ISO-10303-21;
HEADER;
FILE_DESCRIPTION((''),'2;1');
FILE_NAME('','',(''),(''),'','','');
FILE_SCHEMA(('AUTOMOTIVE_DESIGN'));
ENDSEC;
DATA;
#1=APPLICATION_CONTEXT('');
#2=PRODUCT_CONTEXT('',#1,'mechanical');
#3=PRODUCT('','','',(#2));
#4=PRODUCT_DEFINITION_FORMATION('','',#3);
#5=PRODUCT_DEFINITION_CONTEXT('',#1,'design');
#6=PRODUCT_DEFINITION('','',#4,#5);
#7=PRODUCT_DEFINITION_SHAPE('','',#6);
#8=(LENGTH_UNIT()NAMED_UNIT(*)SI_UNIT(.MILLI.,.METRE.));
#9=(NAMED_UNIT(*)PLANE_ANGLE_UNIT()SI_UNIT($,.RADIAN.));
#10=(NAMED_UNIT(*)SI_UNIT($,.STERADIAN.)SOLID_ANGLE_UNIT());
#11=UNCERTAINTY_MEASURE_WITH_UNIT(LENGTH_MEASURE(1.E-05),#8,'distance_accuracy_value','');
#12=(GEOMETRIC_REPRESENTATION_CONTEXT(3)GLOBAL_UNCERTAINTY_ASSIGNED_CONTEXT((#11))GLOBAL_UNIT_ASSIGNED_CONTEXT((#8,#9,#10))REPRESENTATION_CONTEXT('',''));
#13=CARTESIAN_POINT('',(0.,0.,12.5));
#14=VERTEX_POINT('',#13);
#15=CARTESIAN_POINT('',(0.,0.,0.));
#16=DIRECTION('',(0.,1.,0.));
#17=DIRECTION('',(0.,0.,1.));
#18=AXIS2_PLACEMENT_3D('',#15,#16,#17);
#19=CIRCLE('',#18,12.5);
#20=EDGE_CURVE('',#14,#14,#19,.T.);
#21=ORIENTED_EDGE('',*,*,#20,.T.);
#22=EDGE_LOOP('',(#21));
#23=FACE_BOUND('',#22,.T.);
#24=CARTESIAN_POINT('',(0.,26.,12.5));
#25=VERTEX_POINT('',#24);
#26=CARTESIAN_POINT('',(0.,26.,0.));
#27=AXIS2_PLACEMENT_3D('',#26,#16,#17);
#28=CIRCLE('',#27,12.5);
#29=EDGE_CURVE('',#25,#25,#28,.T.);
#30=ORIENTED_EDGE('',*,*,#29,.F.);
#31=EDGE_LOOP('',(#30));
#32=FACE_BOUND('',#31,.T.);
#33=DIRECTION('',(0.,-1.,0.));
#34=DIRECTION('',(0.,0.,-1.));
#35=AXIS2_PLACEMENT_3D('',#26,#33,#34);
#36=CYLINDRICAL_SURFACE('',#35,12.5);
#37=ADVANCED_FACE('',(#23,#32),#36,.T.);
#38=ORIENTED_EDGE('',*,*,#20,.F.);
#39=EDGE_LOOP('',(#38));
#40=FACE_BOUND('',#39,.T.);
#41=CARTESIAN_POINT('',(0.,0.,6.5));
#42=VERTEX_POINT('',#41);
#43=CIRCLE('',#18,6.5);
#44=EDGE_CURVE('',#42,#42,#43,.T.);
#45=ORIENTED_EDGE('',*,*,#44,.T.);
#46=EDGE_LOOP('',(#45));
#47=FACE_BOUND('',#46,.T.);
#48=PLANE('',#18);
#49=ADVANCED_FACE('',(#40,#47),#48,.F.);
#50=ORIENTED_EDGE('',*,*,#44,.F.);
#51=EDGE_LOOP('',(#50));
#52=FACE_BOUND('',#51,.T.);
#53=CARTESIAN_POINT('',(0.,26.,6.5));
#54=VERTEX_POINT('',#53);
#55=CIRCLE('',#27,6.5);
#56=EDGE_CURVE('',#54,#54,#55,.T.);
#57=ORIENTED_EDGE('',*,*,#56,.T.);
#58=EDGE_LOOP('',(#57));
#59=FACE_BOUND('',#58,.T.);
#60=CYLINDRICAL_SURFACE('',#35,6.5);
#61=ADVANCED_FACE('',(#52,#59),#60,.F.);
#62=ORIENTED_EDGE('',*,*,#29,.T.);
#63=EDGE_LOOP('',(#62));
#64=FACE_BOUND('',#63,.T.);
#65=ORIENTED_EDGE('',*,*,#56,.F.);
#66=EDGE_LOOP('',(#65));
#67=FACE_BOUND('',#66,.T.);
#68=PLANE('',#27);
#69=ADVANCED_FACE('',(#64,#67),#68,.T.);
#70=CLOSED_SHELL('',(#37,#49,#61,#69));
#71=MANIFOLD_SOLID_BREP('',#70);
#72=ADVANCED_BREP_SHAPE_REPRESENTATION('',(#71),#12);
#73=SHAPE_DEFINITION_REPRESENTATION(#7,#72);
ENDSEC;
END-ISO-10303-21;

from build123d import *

# Parameters (mm, degrees)
ESQUISSE1_R      = 12.5
ESQUISSE1_R_2    = 6.5
EXTRUSION1_DEPTH = 26


with BuildPart() as part:
    # Esquisse1 → Extrusion1 (new body)
    with BuildSketch(Plane(origin=(0, 0, 0), x_dir=(1, 0, 0), z_dir=(0, 1, 0))):
        Circle(ESQUISSE1_R)
        Circle(ESQUISSE1_R_2, mode=Mode.SUBTRACT)
    extrude(amount=EXTRUSION1_DEPTH)


solid = part.part
